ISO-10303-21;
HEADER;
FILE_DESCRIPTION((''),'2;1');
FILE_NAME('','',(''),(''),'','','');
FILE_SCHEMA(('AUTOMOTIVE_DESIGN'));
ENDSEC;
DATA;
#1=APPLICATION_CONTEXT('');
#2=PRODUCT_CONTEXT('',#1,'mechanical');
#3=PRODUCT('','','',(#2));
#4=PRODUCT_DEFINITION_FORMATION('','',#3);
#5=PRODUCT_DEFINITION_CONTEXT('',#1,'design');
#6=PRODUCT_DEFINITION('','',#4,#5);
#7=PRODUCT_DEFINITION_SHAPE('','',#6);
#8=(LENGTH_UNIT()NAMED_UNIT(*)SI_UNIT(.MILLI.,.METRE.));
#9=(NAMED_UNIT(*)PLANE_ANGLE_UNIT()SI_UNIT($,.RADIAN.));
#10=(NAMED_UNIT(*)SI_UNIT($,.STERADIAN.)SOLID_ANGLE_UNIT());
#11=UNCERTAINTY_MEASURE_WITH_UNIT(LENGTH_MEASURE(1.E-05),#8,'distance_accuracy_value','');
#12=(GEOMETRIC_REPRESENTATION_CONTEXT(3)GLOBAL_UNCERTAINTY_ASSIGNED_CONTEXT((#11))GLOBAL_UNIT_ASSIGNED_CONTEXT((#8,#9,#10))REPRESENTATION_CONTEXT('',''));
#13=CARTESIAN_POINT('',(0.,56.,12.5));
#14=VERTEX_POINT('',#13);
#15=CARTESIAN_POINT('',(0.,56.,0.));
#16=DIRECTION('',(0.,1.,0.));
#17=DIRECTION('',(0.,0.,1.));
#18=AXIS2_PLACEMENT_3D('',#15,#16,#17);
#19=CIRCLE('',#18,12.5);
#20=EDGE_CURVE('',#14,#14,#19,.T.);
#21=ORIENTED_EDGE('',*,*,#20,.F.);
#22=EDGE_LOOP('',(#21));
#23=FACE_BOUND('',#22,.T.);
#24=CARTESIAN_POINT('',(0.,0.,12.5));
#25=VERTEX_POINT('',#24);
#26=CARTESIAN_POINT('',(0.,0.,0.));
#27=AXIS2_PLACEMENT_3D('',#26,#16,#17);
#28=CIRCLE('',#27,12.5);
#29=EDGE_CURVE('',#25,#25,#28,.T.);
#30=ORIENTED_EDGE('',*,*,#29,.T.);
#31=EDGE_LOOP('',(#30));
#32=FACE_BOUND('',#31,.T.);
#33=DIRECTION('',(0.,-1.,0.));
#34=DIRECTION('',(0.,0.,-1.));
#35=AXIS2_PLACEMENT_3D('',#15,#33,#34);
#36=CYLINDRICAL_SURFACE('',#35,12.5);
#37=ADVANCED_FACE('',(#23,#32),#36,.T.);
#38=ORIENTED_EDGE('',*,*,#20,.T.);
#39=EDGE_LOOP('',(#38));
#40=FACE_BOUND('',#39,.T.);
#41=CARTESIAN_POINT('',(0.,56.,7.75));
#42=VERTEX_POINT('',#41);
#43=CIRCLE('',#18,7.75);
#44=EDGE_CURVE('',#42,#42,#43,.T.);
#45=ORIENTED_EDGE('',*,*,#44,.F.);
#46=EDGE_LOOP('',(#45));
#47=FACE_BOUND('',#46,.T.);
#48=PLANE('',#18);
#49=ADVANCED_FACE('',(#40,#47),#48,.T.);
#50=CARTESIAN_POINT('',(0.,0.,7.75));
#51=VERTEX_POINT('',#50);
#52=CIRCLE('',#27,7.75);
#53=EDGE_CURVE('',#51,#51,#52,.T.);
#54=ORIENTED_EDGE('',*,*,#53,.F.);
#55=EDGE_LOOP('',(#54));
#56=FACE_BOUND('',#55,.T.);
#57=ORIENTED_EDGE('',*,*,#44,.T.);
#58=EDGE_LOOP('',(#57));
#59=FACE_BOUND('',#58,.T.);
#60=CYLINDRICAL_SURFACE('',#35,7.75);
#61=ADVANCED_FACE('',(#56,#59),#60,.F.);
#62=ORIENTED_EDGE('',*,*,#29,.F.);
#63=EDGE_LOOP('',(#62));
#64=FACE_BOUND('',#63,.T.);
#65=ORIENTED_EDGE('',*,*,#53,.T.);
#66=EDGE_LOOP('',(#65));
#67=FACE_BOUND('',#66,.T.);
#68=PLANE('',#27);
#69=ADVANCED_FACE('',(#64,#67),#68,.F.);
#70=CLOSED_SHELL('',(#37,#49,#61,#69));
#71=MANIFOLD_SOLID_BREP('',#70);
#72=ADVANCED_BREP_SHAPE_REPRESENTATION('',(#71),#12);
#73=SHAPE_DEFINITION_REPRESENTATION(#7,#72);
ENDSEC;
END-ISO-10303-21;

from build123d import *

# Parameters (mm, degrees)
ESQUISSE1_R      = 12.5
ESQUISSE1_R_2    = 7.75
EXTRUSION1_DEPTH = 56


with BuildPart() as part:
    # Esquisse1 → Extrusion1 (new body)
    with BuildSketch(Plane(origin=(0, 0, 0), x_dir=(1, 0, 0), z_dir=(0, 1, 0))):
        Circle(ESQUISSE1_R)
        Circle(ESQUISSE1_R_2, mode=Mode.SUBTRACT)
    extrude(amount=EXTRUSION1_DEPTH)


solid = part.part
